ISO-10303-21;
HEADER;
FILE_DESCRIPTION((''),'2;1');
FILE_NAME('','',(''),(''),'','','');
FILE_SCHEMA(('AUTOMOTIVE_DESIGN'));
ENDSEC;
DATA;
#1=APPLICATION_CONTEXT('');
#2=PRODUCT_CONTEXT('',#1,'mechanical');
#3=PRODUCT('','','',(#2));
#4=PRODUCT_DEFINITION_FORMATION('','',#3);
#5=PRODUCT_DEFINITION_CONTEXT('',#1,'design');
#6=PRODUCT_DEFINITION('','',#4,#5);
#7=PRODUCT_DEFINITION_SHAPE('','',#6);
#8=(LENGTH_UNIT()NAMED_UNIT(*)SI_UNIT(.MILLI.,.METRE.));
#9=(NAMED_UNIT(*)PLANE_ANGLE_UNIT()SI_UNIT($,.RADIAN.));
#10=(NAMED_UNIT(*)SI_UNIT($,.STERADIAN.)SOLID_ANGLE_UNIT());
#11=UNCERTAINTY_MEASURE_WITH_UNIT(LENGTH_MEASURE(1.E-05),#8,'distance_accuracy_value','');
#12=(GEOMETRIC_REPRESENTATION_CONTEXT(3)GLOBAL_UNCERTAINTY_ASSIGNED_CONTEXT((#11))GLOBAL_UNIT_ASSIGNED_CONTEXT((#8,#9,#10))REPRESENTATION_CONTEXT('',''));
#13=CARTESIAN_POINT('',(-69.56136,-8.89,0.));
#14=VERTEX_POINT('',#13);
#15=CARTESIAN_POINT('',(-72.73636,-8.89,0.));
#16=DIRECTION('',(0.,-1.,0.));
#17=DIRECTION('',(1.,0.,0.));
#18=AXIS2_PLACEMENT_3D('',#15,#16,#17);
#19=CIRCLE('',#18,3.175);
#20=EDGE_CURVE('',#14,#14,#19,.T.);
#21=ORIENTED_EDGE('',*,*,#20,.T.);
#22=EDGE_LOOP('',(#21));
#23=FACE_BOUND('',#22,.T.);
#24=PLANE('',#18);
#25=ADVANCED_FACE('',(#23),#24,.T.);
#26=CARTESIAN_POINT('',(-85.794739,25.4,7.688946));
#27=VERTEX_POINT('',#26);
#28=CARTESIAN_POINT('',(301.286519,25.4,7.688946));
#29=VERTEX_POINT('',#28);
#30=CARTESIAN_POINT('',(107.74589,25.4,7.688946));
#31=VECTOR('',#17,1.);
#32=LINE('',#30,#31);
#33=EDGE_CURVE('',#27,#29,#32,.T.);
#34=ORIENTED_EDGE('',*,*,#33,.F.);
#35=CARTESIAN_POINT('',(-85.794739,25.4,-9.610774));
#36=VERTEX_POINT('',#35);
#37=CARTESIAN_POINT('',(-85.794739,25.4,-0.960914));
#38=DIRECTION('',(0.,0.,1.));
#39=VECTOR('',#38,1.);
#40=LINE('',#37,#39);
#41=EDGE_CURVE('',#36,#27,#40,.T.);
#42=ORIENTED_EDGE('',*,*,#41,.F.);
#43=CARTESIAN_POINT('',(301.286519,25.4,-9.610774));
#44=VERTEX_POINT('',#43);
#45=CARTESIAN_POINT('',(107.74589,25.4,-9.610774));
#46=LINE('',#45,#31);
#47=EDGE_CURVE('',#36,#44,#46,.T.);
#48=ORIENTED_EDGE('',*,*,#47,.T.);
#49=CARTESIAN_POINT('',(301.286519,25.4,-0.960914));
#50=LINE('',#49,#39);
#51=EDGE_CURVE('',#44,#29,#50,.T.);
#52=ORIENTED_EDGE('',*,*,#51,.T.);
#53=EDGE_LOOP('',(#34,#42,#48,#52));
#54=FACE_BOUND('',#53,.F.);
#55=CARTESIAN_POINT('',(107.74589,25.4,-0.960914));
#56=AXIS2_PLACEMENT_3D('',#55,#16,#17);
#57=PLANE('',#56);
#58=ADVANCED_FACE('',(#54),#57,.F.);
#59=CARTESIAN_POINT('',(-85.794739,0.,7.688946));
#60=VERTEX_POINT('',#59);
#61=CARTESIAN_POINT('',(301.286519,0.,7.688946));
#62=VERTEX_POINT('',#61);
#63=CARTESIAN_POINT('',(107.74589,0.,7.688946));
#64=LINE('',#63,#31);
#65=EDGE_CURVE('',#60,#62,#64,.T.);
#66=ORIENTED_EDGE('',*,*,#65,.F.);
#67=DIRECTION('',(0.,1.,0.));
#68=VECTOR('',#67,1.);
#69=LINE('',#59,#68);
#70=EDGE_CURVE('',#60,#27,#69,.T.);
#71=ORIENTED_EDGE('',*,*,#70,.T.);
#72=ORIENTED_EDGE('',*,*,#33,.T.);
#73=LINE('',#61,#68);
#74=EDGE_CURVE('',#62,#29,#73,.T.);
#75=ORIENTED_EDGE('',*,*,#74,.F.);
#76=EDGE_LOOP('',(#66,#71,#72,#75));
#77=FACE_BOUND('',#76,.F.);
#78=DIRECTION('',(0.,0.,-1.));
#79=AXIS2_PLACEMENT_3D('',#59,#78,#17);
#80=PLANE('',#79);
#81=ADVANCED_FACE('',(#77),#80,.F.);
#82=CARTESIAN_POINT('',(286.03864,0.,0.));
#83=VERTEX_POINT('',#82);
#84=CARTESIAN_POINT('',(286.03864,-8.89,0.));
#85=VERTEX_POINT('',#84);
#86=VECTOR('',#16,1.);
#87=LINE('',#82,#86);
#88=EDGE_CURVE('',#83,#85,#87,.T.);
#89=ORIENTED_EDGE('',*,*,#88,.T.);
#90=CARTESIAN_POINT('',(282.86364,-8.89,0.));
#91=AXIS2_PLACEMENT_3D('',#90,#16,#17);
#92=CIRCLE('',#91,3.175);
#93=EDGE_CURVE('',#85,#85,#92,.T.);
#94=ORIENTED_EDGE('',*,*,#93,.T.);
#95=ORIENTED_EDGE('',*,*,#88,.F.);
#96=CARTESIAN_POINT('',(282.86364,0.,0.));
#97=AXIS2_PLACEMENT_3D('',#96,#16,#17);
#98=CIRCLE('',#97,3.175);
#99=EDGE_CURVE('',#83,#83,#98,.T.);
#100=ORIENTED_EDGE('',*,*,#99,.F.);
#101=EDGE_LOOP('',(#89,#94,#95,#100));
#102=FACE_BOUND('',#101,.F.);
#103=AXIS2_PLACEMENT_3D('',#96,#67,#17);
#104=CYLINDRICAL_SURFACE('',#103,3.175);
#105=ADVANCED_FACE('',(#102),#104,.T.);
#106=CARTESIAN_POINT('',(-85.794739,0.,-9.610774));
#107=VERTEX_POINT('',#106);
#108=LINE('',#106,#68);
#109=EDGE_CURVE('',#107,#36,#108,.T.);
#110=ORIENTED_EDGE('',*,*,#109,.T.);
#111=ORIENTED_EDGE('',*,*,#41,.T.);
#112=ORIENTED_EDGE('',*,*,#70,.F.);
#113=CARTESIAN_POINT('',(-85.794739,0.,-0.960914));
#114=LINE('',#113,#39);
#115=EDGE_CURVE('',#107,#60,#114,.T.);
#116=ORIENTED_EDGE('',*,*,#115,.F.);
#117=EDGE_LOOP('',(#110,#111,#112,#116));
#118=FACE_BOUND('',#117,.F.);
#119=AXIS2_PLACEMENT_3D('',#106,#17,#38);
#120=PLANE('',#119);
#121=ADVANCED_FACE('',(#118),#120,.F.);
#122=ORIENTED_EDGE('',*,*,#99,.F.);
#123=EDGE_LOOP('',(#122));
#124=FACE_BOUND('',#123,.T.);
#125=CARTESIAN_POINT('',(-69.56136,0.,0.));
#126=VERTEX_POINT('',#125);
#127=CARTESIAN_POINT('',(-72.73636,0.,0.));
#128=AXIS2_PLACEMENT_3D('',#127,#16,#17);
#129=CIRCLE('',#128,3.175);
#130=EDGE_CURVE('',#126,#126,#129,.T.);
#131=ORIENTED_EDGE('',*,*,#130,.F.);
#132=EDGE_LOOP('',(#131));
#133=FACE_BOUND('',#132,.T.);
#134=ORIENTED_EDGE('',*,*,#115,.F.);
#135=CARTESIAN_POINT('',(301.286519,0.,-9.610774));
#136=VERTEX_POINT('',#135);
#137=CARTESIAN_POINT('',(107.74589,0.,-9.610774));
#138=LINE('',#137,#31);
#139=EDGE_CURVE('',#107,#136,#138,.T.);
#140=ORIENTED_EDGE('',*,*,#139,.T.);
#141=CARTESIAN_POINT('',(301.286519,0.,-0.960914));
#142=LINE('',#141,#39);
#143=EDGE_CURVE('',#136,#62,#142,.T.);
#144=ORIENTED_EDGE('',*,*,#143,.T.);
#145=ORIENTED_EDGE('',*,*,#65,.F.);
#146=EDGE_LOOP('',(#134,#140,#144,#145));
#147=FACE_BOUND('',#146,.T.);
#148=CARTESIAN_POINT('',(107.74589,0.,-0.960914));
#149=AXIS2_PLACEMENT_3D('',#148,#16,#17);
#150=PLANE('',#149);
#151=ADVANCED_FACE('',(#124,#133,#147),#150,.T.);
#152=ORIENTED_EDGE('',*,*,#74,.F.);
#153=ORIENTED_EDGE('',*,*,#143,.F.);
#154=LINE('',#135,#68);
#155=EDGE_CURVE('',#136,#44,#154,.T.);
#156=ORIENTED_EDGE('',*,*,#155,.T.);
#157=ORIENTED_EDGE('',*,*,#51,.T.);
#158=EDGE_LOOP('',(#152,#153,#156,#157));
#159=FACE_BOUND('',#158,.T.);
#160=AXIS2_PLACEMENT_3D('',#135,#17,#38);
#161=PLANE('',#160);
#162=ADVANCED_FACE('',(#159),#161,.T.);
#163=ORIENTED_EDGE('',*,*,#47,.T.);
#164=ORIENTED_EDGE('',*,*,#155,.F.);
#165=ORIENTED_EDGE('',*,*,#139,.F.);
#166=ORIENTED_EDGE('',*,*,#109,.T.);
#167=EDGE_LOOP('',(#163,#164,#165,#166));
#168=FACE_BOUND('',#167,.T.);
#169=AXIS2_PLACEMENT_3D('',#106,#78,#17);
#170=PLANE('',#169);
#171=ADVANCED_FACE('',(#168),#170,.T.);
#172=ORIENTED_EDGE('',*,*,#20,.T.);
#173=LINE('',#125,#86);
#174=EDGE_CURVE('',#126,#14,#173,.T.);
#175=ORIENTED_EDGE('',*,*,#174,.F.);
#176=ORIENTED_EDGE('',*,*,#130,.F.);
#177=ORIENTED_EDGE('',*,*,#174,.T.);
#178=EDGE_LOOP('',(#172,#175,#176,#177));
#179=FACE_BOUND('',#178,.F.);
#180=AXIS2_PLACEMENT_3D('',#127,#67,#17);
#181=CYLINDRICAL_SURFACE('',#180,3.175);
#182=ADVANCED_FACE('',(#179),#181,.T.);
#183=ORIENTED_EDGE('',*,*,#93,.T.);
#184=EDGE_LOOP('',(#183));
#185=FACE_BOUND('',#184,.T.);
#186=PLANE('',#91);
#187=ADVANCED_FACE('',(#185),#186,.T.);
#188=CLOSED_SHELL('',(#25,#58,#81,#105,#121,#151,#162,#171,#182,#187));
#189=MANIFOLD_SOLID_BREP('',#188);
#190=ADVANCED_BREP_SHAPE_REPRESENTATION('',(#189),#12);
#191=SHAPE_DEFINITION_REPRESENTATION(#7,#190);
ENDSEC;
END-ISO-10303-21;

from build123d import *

# Parameters (mm, degrees)
F0_W     = 387.081258
F0_H     = 17.29972
F0_R     = 3.175
F1_DEPTH = 25.4
F2_DEPTH = 8.89


with BuildPart() as f1:
    # F0 (on Front) → F1 (new body)
    with BuildSketch(Plane.XZ):
        with Locations((107.74589, -0.960914)):
            Rectangle(F0_W, F0_H)
        with Locations((-72.73636, 0)):
            Circle(F0_R, mode=Mode.SUBTRACT)
        with Locations((282.86364, 0)):
            Circle(F0_R, mode=Mode.SUBTRACT)
        with Locations((-72.73636, 0)):
            Circle(F0_R)
        with Locations((282.86364, 0)):
            Circle(F0_R)
    extrude(amount=-F1_DEPTH)

    # F0 (on Front) → F2 (join)
    with BuildSketch(Plane.XZ):
        with Locations((-72.73636, 0)):
            Circle(F0_R)
        with Locations((282.86364, 0)):
            Circle(F0_R)
    extrude(amount=F2_DEPTH)


solid = f1.part
